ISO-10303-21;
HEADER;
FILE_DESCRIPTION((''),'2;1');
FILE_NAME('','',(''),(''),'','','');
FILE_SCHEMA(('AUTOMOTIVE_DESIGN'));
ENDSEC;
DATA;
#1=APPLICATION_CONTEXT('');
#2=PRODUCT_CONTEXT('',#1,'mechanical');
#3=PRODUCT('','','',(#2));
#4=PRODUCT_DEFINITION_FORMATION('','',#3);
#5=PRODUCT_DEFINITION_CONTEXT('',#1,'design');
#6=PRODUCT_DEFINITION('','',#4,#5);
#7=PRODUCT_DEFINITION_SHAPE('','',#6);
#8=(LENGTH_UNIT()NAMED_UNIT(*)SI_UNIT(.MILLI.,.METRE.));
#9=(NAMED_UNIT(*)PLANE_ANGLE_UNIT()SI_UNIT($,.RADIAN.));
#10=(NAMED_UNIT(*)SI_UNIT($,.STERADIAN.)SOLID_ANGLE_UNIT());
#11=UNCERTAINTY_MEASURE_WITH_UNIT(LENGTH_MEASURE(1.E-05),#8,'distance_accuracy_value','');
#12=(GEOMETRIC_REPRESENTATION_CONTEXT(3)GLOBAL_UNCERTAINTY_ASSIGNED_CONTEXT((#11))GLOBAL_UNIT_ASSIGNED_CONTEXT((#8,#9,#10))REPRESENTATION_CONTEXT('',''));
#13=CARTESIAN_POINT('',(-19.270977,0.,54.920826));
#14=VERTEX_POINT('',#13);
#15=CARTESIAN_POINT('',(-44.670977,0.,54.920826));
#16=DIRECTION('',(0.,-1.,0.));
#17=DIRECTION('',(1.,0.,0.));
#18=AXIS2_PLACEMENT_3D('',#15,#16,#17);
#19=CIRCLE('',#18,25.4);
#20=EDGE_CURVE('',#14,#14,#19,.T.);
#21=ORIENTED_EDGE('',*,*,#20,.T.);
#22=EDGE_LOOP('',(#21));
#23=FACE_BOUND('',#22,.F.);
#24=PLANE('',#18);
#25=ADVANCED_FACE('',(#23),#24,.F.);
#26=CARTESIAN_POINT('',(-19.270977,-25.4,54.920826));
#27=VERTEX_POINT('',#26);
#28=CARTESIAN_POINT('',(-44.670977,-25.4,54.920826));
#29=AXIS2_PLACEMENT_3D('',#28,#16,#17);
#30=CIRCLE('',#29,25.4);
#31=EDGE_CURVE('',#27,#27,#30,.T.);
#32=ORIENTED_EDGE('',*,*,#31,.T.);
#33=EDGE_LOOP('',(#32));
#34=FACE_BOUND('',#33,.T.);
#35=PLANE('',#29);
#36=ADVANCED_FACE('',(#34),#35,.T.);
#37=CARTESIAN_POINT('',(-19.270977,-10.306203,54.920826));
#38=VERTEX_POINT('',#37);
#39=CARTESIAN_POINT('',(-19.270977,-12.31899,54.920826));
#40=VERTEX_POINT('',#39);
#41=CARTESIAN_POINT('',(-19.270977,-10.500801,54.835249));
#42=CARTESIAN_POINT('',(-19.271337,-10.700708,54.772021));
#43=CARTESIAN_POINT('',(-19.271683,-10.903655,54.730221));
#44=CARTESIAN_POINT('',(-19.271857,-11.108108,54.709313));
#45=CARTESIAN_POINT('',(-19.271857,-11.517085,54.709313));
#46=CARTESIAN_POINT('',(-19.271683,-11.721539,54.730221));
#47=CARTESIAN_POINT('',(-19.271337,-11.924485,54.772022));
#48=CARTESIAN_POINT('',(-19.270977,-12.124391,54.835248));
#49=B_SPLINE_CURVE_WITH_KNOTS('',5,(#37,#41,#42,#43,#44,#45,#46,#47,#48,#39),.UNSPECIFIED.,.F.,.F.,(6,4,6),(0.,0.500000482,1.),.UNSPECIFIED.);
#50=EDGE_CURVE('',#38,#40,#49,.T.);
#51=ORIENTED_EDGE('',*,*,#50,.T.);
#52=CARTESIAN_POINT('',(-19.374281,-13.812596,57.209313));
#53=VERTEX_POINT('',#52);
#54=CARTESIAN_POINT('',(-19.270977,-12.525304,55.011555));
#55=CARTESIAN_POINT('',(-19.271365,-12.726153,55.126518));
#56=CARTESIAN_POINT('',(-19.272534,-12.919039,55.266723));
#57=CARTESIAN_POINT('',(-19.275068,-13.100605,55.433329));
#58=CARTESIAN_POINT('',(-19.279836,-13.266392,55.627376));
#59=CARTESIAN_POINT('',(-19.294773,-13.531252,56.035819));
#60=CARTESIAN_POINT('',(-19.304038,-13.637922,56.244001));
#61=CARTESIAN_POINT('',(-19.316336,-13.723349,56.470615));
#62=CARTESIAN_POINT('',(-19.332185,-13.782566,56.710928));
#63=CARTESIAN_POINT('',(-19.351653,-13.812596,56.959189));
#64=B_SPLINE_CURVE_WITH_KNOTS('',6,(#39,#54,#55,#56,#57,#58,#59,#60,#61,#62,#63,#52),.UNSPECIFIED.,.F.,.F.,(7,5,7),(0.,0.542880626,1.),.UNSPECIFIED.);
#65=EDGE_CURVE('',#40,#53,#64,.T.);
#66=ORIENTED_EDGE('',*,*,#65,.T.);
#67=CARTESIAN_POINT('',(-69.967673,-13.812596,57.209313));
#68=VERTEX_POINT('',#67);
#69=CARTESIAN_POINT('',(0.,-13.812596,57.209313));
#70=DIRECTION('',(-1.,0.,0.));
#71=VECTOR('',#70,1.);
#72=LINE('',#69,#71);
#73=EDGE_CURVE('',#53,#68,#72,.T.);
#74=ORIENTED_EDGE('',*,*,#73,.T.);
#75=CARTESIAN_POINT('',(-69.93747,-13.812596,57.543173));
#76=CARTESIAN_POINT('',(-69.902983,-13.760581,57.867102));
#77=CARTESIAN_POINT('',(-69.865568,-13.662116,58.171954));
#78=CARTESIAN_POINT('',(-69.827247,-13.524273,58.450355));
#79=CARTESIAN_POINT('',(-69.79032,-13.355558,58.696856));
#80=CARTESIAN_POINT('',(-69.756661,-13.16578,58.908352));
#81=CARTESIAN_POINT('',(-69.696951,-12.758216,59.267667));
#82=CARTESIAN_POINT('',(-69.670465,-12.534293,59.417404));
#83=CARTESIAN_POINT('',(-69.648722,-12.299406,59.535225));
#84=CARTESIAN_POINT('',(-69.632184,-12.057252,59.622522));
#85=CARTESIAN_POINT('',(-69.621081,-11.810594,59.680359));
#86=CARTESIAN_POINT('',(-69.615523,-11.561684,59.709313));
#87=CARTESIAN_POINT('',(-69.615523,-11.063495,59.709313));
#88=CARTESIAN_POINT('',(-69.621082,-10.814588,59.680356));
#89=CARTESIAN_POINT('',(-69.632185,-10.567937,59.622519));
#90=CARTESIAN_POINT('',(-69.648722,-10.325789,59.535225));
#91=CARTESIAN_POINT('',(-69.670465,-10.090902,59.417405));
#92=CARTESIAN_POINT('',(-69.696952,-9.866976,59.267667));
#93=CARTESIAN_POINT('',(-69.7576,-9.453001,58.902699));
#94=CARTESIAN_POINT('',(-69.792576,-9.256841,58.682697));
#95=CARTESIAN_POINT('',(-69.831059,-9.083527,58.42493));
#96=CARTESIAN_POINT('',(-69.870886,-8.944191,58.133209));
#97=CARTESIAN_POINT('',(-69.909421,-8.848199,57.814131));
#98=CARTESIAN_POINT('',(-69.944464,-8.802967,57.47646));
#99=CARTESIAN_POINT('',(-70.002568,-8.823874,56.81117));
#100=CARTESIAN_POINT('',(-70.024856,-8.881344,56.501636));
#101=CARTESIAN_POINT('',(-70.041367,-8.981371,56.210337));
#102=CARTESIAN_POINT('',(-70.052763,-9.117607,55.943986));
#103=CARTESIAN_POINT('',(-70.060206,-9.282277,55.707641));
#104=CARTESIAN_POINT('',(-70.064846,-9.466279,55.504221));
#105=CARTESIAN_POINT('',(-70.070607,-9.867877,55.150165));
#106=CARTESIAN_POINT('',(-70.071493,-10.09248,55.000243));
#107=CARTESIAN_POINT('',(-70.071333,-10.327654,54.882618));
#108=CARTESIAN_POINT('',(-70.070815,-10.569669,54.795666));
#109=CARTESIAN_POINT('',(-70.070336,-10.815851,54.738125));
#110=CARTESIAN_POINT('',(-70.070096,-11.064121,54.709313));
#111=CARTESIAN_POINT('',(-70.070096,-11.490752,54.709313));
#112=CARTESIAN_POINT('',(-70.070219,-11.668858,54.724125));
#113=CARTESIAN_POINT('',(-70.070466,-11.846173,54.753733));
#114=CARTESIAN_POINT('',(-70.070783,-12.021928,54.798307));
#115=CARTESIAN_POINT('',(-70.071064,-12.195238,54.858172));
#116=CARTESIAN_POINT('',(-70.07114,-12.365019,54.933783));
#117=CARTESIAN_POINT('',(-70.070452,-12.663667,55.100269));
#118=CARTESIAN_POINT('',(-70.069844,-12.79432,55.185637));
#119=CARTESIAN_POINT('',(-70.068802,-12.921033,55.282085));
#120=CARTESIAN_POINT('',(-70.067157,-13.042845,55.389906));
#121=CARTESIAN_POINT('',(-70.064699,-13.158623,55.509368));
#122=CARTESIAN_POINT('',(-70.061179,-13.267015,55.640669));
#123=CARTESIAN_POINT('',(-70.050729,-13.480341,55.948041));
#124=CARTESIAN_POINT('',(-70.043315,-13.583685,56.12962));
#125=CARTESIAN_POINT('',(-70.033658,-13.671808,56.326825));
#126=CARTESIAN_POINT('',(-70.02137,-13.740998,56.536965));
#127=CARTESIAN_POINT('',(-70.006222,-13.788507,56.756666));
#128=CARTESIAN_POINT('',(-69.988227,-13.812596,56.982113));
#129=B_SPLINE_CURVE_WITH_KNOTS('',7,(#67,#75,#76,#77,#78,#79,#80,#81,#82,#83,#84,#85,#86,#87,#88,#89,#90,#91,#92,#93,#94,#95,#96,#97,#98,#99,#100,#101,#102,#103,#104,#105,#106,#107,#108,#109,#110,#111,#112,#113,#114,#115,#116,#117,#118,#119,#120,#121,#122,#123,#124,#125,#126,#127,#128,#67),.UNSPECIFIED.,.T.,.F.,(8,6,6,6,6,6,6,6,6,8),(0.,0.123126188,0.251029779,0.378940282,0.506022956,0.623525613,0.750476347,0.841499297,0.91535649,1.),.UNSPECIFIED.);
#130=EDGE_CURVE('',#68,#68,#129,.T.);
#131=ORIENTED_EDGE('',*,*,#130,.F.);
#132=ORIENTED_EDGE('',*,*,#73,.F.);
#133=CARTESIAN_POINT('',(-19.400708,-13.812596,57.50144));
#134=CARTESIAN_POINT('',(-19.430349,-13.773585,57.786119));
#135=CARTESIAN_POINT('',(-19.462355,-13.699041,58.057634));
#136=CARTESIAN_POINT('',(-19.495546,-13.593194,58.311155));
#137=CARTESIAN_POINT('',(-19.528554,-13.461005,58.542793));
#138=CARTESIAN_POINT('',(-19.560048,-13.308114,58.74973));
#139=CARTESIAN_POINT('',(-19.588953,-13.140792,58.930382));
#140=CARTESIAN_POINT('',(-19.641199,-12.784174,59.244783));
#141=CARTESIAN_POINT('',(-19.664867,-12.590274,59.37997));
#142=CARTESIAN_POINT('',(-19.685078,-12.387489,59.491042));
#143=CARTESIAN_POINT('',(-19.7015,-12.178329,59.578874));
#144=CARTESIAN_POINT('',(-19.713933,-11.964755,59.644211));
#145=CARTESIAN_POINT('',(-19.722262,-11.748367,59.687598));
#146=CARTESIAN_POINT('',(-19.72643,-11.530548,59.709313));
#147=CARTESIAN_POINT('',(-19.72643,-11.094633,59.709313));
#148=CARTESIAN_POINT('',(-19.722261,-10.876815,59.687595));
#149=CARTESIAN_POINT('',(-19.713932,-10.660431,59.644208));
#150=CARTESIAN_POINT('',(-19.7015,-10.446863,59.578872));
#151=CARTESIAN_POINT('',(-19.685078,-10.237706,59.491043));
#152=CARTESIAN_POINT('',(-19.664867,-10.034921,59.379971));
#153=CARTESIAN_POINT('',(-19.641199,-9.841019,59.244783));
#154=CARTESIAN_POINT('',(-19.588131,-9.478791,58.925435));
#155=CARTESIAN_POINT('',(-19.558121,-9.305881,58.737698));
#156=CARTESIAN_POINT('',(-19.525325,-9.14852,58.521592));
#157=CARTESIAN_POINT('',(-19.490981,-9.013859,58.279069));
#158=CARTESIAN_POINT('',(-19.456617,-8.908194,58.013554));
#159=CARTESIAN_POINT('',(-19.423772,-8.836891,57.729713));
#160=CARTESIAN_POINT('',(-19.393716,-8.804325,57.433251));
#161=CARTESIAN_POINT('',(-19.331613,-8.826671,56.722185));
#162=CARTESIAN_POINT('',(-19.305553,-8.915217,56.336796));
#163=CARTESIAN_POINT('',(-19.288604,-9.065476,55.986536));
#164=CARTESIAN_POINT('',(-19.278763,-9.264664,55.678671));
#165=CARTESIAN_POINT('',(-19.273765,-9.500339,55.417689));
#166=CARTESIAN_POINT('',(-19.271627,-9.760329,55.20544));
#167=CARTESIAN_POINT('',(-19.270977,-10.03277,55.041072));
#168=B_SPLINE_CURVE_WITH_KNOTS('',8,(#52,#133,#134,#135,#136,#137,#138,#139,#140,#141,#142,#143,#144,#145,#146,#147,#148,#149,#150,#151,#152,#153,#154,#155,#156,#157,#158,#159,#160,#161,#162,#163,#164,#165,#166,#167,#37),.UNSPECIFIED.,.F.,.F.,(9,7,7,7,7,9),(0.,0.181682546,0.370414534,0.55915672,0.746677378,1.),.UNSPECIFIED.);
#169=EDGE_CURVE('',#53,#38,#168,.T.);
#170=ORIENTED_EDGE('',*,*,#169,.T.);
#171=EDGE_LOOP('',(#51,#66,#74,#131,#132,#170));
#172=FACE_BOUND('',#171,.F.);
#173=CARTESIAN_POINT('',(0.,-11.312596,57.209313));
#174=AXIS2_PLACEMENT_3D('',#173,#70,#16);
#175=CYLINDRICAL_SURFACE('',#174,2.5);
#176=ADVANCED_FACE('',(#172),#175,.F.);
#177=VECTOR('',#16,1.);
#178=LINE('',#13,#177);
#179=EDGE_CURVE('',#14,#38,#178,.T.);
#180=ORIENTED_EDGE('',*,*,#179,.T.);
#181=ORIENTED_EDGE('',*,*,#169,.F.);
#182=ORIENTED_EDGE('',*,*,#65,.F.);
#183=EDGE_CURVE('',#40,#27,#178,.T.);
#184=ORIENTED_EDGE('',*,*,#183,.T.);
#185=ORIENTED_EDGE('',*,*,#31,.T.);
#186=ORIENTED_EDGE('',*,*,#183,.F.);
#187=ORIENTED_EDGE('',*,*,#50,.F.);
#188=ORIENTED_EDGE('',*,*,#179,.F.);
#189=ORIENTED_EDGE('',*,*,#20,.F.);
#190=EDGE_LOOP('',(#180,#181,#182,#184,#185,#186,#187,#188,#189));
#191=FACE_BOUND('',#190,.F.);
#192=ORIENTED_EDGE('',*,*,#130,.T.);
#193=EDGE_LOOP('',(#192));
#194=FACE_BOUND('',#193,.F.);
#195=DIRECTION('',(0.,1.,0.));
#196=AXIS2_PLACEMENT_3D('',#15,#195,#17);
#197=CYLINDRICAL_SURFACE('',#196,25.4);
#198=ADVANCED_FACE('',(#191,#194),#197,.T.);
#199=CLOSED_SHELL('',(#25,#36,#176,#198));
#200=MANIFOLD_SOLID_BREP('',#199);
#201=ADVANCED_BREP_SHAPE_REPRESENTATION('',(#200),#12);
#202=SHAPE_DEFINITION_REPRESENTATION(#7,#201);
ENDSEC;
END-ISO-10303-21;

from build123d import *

# Parameters (mm, degrees)
F0_R           = 25.4
F1_DEPTH       = 25.4
F3_D           = 5
F3_CSINK_D     = 11.2
F3_CSINK_ANGLE = 45


with BuildPart() as f1:
    # F0 (on Front) → F1 (new body)
    with BuildSketch(Plane.XZ):
        with Locations((-44.6709766984, 54.9208261073)):
            Circle(F0_R)
    extrude(amount=F1_DEPTH)

    # F3 (through all)
    with Locations(Plane.YZ):
        with Locations((-11.3125964999, 57.2093129158)):
            CounterSinkHole(F3_D / 2, F3_CSINK_D / 2, counter_sink_angle=F3_CSINK_ANGLE)


solid = f1.part
